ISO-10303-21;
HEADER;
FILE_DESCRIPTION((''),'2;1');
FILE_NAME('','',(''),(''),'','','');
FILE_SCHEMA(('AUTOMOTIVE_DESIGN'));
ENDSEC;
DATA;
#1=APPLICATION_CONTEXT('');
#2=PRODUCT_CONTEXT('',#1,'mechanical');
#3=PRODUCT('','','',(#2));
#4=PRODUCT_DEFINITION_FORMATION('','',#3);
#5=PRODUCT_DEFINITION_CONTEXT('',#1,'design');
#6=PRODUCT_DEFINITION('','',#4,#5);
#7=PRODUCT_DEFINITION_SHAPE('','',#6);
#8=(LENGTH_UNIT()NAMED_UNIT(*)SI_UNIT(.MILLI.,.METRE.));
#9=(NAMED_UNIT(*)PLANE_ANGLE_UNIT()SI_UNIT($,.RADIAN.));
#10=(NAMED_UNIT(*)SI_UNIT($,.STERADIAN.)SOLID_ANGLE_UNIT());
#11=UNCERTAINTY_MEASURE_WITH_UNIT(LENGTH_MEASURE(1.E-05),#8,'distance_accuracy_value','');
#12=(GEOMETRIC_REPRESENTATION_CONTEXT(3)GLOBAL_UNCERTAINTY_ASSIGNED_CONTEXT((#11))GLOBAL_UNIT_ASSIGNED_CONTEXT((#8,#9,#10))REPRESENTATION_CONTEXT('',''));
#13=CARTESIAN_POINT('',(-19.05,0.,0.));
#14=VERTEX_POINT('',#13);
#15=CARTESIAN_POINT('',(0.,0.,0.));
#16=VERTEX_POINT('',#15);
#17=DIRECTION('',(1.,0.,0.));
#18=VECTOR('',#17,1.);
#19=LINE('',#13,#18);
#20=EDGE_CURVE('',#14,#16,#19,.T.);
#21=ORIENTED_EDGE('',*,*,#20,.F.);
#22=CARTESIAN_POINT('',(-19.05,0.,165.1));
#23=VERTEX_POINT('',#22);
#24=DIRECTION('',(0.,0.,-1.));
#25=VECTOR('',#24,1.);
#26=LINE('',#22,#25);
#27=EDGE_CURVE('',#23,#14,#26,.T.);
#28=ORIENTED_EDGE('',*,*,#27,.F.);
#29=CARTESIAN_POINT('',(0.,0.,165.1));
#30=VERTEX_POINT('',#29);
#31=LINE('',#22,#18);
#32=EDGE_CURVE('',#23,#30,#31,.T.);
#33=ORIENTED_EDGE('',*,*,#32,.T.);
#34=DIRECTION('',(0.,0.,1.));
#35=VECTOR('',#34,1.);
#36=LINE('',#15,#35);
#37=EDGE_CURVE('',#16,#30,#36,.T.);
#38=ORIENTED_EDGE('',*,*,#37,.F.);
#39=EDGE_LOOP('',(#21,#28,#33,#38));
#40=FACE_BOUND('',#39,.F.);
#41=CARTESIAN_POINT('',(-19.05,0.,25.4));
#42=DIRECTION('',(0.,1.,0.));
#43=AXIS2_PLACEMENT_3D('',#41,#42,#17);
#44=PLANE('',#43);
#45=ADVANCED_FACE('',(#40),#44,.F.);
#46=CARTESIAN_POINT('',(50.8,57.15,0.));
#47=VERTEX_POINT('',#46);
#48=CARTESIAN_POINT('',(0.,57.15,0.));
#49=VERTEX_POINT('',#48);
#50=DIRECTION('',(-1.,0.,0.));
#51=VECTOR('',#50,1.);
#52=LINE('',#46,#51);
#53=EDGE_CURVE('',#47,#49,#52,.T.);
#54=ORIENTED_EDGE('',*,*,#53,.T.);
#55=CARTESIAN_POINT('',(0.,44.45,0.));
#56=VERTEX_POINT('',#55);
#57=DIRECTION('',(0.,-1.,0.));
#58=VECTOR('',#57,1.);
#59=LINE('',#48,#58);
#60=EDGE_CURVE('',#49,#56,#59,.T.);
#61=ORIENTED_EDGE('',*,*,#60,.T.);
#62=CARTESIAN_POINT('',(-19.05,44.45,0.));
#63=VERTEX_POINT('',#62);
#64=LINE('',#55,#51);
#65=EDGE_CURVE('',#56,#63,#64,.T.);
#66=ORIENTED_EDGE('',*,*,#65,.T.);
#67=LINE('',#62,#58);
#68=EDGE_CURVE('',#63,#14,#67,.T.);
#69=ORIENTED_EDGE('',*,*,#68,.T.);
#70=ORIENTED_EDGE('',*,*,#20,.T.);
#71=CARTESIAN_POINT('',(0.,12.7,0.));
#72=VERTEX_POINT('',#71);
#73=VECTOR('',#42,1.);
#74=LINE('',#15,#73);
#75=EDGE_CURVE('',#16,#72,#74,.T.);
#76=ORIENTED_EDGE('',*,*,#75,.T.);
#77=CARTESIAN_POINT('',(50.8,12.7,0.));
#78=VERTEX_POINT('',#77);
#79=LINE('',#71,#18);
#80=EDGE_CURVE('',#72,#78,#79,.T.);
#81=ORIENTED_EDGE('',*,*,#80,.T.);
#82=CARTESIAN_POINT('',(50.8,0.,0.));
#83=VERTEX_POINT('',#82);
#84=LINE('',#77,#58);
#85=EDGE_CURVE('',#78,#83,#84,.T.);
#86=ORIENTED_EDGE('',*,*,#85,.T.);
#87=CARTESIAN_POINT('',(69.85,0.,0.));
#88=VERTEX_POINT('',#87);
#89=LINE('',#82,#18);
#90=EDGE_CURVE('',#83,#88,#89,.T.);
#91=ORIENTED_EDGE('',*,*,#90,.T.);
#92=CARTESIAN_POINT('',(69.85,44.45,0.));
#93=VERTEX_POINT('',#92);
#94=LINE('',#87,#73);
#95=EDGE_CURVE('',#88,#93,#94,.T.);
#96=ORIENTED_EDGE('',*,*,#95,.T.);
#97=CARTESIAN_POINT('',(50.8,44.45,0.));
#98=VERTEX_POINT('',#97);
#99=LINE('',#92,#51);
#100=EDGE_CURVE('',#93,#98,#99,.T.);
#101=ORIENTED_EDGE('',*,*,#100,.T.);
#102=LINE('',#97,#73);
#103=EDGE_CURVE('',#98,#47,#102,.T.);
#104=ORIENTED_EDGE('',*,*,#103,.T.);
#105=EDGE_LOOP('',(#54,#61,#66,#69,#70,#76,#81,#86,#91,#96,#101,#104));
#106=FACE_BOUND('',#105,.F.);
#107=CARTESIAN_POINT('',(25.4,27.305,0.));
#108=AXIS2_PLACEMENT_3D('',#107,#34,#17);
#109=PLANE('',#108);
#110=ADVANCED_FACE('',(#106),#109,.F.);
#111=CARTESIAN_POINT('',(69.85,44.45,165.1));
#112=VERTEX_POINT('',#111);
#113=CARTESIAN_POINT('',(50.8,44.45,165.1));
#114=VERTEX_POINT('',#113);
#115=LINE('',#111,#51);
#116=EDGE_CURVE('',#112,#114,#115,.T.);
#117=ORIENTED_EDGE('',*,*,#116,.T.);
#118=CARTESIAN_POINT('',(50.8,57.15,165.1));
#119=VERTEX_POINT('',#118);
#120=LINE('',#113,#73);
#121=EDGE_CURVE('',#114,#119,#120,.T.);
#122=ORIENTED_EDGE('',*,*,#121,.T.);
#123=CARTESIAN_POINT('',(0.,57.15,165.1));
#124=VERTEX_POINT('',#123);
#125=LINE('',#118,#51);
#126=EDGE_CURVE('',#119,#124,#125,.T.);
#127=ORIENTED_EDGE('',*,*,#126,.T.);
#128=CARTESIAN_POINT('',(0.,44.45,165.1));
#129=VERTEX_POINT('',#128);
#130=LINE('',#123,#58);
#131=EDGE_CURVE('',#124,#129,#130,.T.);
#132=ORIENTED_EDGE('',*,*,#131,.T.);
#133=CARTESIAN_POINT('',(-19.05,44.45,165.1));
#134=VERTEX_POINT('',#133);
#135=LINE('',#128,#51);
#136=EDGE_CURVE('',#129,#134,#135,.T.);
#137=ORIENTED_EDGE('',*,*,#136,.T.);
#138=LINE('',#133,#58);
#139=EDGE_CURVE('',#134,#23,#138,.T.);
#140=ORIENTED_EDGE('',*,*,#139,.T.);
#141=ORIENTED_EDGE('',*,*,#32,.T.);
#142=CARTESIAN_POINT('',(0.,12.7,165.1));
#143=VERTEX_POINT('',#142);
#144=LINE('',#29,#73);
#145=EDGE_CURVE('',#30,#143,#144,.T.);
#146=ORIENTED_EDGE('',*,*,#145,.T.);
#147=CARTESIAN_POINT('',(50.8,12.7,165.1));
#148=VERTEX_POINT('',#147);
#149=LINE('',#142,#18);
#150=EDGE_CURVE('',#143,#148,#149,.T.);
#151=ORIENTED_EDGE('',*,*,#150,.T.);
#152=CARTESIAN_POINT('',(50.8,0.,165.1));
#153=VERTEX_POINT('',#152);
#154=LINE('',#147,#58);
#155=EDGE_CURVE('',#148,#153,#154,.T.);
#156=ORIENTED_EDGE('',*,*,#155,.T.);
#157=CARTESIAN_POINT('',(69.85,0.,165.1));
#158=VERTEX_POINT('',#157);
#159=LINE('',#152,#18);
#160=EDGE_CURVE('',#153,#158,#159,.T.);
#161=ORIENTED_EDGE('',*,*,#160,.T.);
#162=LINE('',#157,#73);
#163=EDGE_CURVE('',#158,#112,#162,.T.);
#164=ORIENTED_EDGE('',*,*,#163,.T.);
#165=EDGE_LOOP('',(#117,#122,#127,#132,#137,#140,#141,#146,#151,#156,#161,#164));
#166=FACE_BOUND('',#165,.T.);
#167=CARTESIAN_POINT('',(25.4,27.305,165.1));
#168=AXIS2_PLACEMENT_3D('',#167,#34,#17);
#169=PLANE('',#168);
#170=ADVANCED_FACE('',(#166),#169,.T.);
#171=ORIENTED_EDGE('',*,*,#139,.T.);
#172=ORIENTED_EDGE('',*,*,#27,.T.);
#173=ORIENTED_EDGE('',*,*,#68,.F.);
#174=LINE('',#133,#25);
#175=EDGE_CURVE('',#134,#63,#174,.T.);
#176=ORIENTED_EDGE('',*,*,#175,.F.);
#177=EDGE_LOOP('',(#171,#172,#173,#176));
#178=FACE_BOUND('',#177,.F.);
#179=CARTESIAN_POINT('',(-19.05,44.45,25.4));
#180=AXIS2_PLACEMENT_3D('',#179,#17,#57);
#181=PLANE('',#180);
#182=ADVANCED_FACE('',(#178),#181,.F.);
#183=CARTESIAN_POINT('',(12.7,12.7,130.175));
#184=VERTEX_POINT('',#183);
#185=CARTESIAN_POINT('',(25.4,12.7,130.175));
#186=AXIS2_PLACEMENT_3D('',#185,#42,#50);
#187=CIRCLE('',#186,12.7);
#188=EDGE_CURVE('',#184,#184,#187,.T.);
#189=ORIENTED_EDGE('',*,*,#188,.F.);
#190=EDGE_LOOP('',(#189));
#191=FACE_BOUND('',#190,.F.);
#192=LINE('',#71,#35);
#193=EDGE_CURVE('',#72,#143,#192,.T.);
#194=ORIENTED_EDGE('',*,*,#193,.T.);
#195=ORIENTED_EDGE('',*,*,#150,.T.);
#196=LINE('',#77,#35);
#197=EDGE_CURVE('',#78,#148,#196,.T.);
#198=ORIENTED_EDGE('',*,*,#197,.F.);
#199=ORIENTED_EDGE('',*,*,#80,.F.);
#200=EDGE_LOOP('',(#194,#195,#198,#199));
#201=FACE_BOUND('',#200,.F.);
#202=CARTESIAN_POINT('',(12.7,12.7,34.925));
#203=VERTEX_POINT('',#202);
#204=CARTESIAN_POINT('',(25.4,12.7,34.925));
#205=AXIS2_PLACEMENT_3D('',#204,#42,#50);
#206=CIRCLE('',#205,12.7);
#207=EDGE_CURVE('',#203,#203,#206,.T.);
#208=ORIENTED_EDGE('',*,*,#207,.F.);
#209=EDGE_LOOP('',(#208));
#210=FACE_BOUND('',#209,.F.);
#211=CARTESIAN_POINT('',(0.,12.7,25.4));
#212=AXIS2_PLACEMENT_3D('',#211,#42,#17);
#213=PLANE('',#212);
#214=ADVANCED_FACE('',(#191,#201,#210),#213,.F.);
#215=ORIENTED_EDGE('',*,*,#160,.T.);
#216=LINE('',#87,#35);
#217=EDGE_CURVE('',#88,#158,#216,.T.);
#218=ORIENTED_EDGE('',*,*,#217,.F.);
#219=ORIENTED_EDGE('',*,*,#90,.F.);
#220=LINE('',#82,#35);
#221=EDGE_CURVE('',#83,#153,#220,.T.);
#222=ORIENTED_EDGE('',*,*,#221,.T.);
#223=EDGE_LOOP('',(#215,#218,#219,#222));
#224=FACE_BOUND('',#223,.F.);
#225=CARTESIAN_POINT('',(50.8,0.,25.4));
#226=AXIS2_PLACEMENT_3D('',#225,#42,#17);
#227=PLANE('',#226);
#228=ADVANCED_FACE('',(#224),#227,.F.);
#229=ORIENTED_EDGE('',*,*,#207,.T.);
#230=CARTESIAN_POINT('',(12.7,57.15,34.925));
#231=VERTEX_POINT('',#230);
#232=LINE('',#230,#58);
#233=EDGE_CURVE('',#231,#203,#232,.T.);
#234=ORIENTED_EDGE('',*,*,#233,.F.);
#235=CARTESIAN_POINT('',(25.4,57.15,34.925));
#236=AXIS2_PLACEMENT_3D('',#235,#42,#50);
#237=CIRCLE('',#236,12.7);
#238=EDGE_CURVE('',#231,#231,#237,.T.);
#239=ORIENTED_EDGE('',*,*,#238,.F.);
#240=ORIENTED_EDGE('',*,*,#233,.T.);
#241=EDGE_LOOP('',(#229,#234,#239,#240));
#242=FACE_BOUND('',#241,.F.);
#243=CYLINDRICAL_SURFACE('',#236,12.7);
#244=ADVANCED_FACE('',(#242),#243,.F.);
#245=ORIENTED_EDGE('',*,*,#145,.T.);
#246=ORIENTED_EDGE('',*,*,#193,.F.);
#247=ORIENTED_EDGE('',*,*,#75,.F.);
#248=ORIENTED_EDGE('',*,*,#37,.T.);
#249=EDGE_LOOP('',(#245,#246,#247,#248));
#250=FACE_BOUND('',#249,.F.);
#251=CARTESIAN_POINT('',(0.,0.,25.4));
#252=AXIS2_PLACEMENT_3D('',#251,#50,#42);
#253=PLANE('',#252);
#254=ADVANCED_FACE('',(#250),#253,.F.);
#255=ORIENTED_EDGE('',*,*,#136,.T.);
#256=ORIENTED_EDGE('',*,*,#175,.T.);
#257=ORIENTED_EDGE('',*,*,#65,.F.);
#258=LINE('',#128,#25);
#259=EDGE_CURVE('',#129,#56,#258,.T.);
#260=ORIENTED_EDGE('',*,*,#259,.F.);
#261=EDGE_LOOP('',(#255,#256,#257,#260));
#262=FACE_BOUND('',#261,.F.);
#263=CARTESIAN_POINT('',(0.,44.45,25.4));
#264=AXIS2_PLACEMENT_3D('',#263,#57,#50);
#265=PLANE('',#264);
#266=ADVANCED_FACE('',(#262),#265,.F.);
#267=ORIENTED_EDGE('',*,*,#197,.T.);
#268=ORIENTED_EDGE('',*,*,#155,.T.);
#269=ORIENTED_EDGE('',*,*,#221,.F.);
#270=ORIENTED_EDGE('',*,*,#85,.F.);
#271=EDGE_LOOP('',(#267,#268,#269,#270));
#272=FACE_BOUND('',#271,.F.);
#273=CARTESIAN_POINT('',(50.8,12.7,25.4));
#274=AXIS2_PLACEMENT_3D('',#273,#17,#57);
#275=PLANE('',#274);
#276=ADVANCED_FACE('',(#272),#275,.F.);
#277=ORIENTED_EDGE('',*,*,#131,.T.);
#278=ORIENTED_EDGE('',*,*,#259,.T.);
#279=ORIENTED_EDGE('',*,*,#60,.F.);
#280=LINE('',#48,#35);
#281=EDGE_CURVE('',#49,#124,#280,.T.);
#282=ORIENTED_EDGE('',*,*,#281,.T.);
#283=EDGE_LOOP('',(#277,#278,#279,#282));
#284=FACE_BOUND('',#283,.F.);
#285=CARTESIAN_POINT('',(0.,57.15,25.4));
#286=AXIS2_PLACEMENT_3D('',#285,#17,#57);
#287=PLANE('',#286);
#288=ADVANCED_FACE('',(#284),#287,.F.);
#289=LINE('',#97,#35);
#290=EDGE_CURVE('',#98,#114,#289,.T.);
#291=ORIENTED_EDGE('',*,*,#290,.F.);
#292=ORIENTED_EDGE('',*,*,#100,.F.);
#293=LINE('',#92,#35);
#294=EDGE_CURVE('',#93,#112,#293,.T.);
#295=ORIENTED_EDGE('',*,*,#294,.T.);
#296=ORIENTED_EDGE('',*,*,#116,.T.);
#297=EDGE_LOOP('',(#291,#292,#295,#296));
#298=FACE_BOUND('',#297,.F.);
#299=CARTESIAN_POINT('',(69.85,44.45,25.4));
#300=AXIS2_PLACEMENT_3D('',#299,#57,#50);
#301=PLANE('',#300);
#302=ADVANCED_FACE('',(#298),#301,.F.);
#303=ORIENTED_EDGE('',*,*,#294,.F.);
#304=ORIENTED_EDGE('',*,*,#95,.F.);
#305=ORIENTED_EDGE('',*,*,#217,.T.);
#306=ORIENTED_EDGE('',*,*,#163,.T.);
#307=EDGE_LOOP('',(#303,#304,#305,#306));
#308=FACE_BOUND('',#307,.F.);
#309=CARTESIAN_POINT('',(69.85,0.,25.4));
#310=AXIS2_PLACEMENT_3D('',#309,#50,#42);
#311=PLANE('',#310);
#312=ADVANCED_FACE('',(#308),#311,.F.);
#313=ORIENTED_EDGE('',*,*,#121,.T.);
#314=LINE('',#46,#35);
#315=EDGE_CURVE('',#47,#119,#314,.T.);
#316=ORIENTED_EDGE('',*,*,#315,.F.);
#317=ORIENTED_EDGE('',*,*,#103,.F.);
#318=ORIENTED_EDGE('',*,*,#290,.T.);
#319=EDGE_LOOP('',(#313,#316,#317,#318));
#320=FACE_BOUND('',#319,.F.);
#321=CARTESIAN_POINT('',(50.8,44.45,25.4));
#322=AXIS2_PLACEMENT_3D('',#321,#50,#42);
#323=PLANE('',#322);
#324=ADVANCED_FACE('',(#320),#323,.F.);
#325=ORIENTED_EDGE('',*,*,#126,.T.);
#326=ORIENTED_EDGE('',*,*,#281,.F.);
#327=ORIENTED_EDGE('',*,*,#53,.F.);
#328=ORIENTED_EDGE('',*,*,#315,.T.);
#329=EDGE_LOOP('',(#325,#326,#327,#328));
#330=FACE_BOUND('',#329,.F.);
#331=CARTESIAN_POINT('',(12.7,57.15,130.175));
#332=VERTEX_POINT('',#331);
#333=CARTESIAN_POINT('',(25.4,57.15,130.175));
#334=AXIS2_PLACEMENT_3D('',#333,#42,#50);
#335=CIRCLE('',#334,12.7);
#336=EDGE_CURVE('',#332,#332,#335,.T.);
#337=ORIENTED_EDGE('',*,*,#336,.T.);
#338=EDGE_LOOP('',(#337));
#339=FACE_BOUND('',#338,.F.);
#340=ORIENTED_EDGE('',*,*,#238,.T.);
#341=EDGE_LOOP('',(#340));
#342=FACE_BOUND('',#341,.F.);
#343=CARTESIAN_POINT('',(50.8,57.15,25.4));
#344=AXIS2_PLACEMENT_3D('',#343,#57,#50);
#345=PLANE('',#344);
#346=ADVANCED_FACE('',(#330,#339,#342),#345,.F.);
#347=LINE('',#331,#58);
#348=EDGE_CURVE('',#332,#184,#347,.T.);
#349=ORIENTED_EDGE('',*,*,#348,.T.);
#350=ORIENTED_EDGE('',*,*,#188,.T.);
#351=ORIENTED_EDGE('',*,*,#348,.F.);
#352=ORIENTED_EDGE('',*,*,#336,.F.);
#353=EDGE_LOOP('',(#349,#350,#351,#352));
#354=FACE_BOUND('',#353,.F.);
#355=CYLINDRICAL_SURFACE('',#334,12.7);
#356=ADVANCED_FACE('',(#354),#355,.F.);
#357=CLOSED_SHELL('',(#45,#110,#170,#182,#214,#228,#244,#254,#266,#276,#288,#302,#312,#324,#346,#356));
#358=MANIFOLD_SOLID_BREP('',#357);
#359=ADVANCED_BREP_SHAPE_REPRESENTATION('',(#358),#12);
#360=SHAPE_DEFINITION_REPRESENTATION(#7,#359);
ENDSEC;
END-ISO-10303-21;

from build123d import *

# Parameters (mm, degrees)
F1_DEPTH = 25.4
F2_DEPTH = 139.7
F3_R     = 12.7
F4_DEPTH = 44.45
F5_DEPTH = 44.45


with BuildPart() as f1:
    # F0 (on Top) → F1 (new body)
    with BuildSketch(Plane.XY):
        Polygon((-19.05, 0), (0, 0), (0, 12.7), (50.8, 12.7), (50.8, 0), (69.85, 0), (69.85, 44.45), (50.8, 44.45), (50.8, 57.15), (0, 57.15), (0, 44.45), (-19.05, 44.45), align=None)
    extrude(amount=F1_DEPTH)

    # F1_face (on face) → F2 (join)
    with BuildSketch(Plane(origin=(25.4, 29.482143, 25.4), x_dir=(1, 0, 0), z_dir=(0, 0, 1))):
        Polygon((-44.45, -29.482143), (-25.4, -29.482143), (-25.4, -16.782143), (25.4, -16.782143), (25.4, -29.482143), (44.45, -29.482143), (44.45, 14.967857), (25.4, 14.967857), (25.4, 27.667857), (-25.4, 27.667857), (-25.4, 14.967857), (-44.45, 14.967857), align=None)
    extrude(amount=F2_DEPTH)

    # F3 (on face) → F4 (cut, through all)
    with BuildSketch(Plane(origin=(0, 57.15, 0), x_dir=(-1, 0, 0), z_dir=(0, 1, 0))):
        with Locations((-25.4, 130.175)):
            Circle(F3_R)
    extrude(amount=-F4_DEPTH, mode=Mode.SUBTRACT)

    # F3 (on face) → F5 (cut, through all)
    with BuildSketch(Plane(origin=(0, 57.15, 0), x_dir=(-1, 0, 0), z_dir=(0, 1, 0))):
        with Locations((-25.4, 34.925)):
            Circle(F3_R)
    extrude(amount=-F5_DEPTH, mode=Mode.SUBTRACT)


solid = f1.part
